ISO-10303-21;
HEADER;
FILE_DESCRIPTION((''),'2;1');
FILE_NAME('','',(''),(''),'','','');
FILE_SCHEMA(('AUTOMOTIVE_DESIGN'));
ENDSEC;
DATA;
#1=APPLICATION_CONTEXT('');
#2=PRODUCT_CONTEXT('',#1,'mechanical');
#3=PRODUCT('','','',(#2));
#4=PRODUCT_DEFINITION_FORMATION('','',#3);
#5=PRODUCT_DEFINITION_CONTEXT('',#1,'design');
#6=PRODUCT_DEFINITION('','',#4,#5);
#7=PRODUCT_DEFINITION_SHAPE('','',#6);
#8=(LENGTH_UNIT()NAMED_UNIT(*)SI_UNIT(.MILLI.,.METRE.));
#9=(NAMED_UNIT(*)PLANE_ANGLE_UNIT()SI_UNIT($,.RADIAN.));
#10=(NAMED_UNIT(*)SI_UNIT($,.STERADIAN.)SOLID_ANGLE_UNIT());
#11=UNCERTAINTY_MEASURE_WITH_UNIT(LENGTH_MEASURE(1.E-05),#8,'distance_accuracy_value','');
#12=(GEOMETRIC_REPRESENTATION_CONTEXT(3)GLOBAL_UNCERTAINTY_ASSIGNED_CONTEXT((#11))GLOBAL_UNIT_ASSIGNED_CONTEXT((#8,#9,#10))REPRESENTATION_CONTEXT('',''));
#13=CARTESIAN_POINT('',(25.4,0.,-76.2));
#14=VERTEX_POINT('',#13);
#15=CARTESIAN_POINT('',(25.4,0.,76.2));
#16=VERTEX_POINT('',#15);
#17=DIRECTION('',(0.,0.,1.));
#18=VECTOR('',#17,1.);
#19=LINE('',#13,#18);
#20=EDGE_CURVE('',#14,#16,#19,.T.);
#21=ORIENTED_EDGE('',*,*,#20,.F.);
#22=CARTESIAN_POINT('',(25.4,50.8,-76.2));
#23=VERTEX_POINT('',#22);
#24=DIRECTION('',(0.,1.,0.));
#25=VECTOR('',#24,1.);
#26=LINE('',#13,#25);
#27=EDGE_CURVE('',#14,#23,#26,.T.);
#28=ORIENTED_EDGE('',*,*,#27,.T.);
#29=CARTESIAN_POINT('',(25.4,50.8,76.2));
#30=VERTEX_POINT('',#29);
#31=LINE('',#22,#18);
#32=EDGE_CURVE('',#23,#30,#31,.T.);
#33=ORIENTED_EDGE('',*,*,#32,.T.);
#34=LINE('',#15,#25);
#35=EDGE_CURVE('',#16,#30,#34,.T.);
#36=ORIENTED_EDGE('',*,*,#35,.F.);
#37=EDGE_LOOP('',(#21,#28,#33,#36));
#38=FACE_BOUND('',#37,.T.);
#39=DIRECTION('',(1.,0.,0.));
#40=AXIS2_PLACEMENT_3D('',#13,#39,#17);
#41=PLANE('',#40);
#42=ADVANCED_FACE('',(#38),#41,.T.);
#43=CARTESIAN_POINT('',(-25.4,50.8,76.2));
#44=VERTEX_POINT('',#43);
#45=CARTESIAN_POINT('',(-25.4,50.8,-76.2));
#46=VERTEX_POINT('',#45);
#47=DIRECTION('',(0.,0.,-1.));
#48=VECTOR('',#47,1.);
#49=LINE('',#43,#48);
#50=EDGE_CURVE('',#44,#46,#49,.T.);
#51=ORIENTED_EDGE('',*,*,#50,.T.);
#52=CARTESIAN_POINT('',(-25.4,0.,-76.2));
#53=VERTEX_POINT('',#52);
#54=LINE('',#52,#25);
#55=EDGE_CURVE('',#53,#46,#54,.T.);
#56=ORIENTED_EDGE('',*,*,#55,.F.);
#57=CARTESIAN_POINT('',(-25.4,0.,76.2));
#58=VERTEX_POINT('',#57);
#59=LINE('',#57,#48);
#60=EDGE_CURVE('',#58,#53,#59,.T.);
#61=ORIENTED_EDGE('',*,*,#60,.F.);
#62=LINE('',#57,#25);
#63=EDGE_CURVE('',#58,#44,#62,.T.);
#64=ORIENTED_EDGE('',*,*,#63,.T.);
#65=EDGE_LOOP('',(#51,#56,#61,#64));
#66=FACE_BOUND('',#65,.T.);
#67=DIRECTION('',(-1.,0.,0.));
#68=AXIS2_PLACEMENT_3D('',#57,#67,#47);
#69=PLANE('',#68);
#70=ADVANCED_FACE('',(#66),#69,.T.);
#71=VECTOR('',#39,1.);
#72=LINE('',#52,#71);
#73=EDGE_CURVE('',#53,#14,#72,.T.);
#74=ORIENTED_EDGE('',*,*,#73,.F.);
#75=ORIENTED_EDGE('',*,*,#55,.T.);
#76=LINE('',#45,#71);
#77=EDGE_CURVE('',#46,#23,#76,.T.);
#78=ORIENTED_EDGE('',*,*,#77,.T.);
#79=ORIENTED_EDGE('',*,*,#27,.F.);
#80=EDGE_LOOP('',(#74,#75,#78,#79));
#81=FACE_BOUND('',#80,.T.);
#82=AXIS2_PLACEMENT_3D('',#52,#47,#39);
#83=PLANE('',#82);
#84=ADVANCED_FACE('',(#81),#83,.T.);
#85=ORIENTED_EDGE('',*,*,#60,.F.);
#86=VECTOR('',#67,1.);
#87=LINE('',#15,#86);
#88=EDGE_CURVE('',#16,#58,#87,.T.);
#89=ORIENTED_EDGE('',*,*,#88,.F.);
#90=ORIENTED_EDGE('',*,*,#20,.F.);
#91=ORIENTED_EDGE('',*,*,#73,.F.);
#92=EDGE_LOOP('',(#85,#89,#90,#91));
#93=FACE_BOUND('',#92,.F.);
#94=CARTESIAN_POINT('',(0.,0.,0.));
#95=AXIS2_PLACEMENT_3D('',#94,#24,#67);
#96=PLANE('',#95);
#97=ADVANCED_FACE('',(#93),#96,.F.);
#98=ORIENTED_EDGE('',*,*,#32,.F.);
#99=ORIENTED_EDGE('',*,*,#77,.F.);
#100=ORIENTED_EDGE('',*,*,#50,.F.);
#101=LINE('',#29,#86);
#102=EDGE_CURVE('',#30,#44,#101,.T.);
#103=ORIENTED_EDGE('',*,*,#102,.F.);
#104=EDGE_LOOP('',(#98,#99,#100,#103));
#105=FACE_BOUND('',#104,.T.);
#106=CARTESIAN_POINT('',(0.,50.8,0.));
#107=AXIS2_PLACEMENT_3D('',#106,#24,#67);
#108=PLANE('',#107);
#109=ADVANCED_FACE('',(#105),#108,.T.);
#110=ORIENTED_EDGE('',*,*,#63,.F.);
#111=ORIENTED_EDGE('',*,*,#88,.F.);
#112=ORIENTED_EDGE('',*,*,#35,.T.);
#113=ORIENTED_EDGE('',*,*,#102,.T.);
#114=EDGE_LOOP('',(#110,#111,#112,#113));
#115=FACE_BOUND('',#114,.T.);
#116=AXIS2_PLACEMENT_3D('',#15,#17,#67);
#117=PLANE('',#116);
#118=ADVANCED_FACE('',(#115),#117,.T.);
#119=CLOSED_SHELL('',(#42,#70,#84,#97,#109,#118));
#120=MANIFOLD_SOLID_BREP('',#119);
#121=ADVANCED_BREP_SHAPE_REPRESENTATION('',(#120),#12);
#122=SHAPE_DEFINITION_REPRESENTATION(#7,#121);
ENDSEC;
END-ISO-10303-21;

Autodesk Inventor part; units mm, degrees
ref_plane "YZ Plane" through (0, 0, 0) normal (1, 0, 0) x (0, 1, 0)
ref_plane "XZ Plane" through (0, 0, 0) normal (0, 1, 0) x (-1, 0, 0)
ref_plane "XY Plane" through (0, 0, 0) normal (0, 0, 1) x (1, 0, 0)
sketch "Sketch1" plane through (0, 0, 0) normal (0, 1, 0) x (-1, 0, 0)
  line L0 (-25.4, 76.2) -> (25.4, 76.2)
  line L1 (25.4, 76.2) -> (25.4, -76.2)
  line L2 (25.4, -76.2) -> (-25.4, -76.2)
  line L3 (-25.4, -76.2) -> (-25.4, 76.2)
  line L4 (-25.4, 76.2) -> (25.4, -76.2) construction
  line L5 (25.4, 76.2) -> (-25.4, -76.2) construction
  point P0 (0, 0)
  dimension "d0" = 50.8
  dimension "d1" = 152.4
extrude "Extrusion1" add sketch "Sketch1" along normal blind 50.8
properties part number "BX11111"
